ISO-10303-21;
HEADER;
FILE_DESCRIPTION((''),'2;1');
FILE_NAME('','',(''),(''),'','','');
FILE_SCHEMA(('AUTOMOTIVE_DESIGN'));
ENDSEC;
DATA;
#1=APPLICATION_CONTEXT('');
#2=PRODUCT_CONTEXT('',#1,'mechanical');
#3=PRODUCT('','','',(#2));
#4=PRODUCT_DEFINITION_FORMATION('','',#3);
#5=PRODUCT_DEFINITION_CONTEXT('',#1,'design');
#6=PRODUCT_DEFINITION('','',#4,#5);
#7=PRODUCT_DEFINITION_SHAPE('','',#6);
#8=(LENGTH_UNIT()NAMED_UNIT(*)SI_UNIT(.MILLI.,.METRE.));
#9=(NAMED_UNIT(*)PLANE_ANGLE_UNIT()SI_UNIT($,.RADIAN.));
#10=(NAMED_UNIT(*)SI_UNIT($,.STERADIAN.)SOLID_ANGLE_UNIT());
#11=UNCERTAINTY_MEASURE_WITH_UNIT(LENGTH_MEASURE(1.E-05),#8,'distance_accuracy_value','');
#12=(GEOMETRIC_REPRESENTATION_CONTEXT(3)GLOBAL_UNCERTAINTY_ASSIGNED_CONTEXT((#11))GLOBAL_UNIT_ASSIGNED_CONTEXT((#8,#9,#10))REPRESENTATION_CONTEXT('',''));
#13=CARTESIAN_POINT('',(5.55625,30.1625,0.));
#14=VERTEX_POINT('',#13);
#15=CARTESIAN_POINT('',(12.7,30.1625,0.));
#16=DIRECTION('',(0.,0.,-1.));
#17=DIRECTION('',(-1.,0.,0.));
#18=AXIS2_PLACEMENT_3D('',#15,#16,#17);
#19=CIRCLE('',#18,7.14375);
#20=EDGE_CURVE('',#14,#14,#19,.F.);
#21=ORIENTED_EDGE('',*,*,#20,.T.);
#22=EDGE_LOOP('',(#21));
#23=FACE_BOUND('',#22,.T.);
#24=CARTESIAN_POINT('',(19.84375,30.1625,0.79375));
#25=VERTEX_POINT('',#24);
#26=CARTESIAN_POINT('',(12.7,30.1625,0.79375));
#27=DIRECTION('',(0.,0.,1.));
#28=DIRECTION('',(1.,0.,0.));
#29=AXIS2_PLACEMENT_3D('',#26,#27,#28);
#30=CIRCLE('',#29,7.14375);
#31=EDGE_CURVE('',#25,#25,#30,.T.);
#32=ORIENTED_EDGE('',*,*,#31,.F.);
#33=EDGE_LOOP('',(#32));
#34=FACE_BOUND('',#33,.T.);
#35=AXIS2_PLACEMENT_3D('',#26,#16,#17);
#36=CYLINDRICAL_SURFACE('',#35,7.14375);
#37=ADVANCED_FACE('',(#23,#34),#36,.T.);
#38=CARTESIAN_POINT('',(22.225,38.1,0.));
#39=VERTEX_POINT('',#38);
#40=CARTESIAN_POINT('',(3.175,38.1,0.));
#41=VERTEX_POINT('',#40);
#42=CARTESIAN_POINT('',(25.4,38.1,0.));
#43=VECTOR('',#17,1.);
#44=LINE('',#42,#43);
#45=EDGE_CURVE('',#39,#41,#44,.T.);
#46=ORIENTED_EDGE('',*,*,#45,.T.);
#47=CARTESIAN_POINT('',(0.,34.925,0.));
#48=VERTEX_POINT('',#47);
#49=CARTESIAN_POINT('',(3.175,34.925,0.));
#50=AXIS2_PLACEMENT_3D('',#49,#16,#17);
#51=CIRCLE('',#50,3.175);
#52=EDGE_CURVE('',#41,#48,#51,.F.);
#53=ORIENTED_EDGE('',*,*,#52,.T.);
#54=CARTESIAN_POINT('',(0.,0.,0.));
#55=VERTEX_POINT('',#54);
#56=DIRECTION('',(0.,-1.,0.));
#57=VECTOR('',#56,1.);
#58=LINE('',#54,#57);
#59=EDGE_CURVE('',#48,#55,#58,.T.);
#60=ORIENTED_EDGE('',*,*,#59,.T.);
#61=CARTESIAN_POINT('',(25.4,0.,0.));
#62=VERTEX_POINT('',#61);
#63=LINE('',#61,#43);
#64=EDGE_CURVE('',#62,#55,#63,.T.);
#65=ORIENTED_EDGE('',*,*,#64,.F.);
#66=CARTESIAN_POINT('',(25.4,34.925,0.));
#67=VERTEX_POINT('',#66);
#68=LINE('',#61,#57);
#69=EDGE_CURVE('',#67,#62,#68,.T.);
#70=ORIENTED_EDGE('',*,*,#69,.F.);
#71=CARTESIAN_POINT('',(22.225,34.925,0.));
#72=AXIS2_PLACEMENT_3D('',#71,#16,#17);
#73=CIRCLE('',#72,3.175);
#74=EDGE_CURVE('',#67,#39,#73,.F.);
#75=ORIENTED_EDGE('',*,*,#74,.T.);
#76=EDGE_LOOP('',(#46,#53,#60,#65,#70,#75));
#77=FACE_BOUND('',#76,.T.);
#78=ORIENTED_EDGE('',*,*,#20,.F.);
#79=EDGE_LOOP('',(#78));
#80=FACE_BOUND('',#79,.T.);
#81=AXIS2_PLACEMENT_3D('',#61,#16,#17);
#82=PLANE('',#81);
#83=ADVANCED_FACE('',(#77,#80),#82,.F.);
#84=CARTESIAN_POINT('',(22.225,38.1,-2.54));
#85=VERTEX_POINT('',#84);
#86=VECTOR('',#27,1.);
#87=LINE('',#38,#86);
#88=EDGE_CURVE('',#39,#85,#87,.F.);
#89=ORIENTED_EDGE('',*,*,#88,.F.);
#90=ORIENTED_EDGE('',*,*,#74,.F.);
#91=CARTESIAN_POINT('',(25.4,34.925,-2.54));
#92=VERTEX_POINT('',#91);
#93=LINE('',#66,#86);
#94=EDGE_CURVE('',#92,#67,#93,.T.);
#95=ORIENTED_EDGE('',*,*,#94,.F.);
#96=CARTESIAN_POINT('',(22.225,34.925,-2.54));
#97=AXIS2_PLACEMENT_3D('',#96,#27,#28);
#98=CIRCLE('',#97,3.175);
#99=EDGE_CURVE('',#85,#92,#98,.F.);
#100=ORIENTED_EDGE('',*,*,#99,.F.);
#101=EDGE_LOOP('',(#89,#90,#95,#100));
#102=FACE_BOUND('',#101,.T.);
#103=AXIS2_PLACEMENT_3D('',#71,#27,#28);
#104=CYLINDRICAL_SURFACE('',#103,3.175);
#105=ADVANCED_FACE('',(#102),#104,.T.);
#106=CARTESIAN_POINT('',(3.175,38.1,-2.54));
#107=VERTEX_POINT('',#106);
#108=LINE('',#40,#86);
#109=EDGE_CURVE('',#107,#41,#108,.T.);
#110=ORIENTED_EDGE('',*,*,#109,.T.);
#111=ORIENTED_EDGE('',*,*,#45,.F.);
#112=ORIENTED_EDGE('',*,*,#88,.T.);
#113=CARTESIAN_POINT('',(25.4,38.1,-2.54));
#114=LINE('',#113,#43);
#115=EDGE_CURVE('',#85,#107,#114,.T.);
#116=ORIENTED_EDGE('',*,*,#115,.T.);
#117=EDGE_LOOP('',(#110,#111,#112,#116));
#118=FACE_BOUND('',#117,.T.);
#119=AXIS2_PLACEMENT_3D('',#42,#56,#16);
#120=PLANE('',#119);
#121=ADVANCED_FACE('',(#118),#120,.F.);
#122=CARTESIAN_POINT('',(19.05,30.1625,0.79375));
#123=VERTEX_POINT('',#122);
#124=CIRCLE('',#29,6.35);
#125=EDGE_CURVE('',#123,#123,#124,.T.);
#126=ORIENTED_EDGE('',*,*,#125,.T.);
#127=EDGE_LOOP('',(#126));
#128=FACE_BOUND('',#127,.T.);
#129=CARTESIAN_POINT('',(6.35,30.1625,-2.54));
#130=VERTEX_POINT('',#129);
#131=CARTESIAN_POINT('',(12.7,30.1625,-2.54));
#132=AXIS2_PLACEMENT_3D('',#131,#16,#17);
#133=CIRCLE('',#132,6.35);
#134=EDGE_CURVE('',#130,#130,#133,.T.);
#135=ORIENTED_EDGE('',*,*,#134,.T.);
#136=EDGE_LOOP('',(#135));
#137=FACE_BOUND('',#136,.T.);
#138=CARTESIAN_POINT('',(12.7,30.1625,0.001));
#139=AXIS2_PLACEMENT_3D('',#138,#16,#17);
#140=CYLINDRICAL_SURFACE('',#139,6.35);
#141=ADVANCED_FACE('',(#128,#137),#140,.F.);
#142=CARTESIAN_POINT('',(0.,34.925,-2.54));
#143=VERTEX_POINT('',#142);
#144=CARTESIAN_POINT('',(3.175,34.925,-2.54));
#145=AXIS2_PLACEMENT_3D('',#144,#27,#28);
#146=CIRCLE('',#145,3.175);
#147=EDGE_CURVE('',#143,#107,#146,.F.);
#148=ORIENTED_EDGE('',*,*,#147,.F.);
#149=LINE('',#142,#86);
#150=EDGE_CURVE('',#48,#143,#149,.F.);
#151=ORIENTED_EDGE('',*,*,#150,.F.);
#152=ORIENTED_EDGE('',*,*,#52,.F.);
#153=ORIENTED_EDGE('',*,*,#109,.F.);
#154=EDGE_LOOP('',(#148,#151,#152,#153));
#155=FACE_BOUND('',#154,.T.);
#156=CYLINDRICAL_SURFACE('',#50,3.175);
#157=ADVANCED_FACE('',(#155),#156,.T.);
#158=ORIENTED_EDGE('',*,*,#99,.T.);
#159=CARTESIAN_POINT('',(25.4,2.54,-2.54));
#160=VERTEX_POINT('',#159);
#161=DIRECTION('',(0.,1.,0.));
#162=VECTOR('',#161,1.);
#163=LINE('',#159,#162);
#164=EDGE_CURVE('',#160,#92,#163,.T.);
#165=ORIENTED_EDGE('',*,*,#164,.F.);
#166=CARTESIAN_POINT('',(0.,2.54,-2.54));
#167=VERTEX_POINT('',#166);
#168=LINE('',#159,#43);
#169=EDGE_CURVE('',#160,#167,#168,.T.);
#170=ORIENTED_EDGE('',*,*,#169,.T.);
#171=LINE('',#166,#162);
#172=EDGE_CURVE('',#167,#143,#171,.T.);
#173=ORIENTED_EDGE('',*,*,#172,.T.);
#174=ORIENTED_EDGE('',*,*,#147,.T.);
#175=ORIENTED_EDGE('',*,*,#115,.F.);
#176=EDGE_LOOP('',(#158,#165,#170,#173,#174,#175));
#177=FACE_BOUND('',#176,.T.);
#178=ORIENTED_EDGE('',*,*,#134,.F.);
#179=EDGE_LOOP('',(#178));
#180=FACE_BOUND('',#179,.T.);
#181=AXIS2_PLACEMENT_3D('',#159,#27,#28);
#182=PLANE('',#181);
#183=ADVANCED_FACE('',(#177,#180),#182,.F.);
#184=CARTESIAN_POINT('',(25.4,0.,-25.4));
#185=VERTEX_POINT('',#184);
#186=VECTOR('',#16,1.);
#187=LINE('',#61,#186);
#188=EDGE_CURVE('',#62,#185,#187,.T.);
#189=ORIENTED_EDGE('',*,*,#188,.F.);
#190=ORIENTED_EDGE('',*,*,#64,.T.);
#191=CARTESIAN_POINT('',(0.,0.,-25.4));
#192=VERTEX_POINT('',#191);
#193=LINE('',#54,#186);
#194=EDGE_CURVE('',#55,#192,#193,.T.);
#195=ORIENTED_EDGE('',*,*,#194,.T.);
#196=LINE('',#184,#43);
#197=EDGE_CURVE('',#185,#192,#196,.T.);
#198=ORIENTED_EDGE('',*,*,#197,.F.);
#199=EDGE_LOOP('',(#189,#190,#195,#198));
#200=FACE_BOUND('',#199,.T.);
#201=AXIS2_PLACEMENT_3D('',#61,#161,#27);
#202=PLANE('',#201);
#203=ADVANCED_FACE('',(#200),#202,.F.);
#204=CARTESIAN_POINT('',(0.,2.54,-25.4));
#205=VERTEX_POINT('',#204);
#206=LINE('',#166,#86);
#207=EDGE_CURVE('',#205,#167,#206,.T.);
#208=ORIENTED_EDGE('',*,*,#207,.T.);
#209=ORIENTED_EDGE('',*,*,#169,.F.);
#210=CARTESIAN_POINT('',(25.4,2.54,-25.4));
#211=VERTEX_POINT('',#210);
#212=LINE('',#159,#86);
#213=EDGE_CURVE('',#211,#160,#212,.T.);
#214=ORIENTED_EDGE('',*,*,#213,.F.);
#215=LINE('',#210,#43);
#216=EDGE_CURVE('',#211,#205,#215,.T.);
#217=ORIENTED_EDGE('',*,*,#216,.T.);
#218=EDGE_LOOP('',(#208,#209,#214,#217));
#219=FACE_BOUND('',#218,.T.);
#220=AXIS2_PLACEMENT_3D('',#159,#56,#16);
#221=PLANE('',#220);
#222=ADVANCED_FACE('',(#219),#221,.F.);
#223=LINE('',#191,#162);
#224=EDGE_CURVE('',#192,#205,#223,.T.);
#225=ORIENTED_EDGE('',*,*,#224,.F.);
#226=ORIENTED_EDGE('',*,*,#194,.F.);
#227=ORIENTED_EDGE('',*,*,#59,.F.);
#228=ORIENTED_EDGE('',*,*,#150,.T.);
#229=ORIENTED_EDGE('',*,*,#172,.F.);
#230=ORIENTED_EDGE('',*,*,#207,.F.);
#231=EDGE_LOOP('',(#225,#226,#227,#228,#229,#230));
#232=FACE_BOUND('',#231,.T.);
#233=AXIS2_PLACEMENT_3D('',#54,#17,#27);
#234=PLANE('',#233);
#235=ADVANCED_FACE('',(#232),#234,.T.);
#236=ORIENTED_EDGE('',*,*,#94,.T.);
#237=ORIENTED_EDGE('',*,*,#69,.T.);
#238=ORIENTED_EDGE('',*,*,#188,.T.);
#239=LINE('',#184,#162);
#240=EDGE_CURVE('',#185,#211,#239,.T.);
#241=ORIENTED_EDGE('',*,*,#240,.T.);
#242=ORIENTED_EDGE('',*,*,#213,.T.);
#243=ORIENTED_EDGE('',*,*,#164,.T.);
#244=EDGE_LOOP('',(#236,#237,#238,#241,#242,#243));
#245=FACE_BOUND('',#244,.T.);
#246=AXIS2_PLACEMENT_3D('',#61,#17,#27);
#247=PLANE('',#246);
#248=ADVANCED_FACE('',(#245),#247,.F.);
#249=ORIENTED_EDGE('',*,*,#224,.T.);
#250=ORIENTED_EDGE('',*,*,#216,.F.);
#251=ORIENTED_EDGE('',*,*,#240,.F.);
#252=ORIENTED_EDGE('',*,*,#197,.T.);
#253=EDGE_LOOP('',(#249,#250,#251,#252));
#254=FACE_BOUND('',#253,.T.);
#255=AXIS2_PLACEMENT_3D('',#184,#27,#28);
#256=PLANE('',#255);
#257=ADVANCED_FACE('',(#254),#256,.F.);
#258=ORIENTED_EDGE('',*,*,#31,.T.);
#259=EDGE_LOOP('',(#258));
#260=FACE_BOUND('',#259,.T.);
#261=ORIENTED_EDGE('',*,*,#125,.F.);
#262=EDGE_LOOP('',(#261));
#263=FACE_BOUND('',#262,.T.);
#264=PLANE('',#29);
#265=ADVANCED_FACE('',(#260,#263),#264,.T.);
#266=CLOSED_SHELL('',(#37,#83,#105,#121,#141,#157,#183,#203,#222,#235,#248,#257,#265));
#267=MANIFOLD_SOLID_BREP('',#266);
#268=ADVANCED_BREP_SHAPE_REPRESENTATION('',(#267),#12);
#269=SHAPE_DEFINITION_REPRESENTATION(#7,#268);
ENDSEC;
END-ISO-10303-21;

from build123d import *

# Parameters (mm, degrees)
BOSS_EXTRUDE1_DEPTH = 25.4
CUT_EXTRUDE1_REACH  = 53.18
SKETCH2_R           = 6.35
FILLET1_R           = 3.175
SKETCH3_R           = 7.14375
SKETCH3_R_2         = 6.35
BOSS_EXTRUDE2_DEPTH = 0.79375


with BuildPart() as part:
    # Sketch1 → Boss-Extrude1 (new body)
    with BuildSketch(Plane(origin=(0, 0, 0), x_dir=(0, 0, -1), z_dir=(1, 0, 0))):
        Polygon((2.54, 2.54), (25.4, 2.54), (25.4, 0), (0, 0), (0, 38.1), (2.54, 38.1), align=None)
    extrude(amount=BOSS_EXTRUDE1_DEPTH)

    # Sketch2 → Cut-Extrude1 (cut, up to next)
    with BuildSketch(Plane(origin=(0, 0, -2.54), x_dir=(-1, 0, 0), z_dir=(0, 0, -1)), mode=Mode.PRIVATE) as cut_extrude1_sk1:
        with Locations((-12.7, 30.1625)):
            Circle(SKETCH2_R)
    cut_extrude1_tool1 = extrude(cut_extrude1_sk1.sketch, amount=-CUT_EXTRUDE1_REACH, mode=Mode.PRIVATE) & part.part
    add(cut_extrude1_tool1.solids().sort_by_distance((12.7, 30.1625, -2.54))[0], mode=Mode.SUBTRACT)

    # Fillet1
    fillet1_edges = [part.edges().sort_by_distance(p)[0] for p in [
        (25.4, 38.1, -1.27),
        (0, 38.1, -1.27),
    ]]
    fillet(fillet1_edges, radius=FILLET1_R)

    # Sketch3 → Boss-Extrude2 (add)
    with BuildSketch(Plane.XY):
        with Locations(Location((12.7, 30.1625, 0), (0, 0, 180))):
            Circle(SKETCH3_R)
        with Locations(Location((12.7, 30.1625, 0), (0, 0, 180))):
            Circle(SKETCH3_R_2, mode=Mode.SUBTRACT)
    extrude(amount=BOSS_EXTRUDE2_DEPTH)


solid = part.part
